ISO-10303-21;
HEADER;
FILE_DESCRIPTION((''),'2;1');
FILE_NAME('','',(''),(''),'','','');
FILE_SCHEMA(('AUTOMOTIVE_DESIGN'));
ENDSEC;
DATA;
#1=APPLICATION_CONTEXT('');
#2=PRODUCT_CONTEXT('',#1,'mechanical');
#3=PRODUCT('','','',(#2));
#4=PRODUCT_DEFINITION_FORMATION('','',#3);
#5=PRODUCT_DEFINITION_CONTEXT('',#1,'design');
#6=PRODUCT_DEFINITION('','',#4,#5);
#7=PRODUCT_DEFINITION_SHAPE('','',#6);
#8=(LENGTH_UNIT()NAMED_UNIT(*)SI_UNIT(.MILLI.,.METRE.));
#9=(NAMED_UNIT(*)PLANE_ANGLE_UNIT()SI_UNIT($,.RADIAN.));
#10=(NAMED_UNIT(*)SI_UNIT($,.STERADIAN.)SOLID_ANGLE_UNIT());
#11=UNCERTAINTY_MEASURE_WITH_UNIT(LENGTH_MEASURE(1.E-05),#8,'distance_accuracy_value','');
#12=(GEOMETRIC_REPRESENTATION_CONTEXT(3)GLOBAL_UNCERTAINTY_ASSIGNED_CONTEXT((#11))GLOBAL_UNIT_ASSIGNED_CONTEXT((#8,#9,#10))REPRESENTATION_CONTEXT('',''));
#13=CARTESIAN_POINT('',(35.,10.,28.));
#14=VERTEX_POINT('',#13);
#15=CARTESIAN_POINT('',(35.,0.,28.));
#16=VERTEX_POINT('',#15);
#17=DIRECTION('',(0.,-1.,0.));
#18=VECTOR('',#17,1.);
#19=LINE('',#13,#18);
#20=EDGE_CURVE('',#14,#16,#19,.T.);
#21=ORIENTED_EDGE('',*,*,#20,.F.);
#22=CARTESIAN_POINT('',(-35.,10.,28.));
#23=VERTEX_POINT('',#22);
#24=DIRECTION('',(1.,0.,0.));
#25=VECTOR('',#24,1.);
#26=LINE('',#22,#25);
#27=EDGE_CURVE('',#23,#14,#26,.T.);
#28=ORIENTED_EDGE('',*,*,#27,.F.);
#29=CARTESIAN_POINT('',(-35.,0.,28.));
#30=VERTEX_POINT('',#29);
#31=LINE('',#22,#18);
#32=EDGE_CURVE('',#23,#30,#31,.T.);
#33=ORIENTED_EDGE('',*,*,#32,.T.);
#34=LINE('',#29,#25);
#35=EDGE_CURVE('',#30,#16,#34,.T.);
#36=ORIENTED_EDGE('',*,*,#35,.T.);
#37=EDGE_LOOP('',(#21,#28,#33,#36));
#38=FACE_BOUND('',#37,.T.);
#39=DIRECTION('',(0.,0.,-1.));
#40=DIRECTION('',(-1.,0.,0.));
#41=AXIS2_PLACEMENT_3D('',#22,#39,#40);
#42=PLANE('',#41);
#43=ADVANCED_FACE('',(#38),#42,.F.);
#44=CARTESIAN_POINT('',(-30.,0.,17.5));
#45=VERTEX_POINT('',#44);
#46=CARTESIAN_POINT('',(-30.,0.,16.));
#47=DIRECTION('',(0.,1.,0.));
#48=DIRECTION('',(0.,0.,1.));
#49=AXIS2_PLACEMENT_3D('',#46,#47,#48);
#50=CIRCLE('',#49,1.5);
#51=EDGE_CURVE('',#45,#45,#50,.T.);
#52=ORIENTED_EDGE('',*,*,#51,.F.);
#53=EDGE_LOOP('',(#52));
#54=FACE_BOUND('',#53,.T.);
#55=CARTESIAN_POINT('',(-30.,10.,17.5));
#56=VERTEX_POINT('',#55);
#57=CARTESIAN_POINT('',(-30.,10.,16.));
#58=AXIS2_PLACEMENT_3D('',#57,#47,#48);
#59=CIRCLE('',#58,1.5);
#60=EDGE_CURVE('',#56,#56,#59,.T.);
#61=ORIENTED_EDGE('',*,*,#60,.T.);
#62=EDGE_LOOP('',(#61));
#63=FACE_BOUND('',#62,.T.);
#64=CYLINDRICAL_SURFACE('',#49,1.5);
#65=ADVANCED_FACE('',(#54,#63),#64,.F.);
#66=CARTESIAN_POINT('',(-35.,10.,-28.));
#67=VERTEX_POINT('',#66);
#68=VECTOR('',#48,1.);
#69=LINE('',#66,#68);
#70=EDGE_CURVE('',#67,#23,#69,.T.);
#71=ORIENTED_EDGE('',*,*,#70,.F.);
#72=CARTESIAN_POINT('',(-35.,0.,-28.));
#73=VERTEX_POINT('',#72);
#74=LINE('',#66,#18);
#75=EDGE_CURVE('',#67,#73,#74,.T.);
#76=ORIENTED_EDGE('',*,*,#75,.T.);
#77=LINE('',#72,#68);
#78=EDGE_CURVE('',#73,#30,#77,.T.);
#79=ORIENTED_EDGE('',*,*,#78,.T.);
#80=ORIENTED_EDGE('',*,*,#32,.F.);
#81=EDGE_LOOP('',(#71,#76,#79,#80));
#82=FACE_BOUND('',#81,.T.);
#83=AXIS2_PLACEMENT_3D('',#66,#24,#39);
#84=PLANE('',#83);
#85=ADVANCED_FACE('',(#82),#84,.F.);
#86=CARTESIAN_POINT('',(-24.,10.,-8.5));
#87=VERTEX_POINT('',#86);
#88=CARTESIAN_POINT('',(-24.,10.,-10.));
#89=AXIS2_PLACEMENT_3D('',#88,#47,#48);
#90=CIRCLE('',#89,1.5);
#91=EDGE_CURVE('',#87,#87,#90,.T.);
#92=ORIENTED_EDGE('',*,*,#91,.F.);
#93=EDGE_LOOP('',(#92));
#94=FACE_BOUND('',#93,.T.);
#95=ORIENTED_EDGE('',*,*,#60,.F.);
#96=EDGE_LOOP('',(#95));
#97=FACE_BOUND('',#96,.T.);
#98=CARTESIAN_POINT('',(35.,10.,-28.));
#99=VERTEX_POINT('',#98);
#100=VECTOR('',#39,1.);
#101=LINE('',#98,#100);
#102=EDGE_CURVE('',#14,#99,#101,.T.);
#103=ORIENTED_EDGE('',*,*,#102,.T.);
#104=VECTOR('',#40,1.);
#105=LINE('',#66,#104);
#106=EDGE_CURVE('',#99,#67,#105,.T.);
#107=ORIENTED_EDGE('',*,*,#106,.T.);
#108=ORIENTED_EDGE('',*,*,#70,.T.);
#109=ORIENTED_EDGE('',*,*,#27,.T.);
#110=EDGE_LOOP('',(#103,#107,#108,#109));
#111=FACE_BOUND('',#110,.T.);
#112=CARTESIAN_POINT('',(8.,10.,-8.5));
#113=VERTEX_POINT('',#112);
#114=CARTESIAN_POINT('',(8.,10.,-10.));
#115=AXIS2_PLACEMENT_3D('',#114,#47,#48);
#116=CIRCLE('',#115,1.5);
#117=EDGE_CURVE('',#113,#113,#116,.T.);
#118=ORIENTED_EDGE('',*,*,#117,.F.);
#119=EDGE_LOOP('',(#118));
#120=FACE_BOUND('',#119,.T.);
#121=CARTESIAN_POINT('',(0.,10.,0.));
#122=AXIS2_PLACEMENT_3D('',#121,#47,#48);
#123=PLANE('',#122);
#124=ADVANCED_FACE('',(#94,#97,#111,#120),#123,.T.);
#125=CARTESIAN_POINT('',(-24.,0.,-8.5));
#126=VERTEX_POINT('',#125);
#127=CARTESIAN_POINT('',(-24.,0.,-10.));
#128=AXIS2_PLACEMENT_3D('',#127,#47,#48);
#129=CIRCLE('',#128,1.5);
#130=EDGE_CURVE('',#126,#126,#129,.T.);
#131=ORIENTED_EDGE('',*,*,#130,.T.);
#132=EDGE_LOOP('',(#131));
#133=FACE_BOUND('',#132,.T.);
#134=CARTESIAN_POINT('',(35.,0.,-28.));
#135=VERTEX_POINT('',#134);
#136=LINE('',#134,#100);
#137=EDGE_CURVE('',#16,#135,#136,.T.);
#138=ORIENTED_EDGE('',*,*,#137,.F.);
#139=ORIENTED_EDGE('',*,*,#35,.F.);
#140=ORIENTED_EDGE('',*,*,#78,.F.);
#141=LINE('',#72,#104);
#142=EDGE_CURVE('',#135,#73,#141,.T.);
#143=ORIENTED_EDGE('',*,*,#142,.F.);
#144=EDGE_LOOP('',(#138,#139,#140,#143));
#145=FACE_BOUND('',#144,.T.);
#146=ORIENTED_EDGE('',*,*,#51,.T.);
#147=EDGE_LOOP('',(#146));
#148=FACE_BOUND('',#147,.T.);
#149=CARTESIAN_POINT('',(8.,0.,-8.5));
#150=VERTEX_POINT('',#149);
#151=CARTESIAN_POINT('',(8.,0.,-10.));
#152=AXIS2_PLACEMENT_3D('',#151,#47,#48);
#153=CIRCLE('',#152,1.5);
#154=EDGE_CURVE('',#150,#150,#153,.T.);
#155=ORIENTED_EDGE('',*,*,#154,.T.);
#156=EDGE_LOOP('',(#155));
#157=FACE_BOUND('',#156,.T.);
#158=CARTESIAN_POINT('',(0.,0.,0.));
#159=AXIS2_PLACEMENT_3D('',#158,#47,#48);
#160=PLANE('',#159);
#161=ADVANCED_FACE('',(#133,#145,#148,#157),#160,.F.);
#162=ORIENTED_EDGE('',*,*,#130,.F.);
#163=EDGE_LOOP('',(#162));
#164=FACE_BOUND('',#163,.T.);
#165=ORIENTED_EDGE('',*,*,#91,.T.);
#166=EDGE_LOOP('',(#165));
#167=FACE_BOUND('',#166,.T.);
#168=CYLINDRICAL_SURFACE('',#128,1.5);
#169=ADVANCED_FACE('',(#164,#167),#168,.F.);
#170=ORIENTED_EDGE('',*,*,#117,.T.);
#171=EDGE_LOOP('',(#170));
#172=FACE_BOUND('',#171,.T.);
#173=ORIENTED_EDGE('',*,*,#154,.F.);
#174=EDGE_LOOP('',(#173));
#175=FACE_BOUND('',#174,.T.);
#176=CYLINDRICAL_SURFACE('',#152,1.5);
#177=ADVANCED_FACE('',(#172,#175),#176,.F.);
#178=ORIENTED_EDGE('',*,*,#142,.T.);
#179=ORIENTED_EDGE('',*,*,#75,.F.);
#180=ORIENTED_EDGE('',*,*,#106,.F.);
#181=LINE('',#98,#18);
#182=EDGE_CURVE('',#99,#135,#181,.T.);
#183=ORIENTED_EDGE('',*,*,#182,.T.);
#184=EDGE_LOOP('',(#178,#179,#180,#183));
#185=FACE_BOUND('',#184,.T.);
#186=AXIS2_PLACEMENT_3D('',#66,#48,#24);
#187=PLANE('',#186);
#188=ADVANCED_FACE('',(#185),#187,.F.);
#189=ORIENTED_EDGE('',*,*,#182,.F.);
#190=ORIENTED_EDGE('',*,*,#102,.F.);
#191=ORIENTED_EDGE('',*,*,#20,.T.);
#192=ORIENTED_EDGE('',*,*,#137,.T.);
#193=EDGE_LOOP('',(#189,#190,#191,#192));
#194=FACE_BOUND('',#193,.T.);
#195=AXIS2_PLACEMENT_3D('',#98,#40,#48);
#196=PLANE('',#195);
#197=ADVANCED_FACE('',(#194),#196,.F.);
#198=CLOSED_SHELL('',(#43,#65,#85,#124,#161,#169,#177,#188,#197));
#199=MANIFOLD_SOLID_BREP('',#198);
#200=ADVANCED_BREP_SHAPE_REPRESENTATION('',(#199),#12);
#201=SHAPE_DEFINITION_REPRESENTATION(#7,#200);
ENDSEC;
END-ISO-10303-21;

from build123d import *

# Parameters (mm, degrees)
SKETCH1_W           = 70
SKETCH1_H           = 56
BOSS_EXTRUDE1_DEPTH = 10
SKETCH2_R           = 1.5
CUT_EXTRUDE1_DEPTH  = 10


with BuildPart() as part:
    # Sketch1 → Boss-Extrude1 (new body)
    with BuildSketch(Plane(origin=(0, 0, 0), x_dir=(1, 0, 0), z_dir=(0, 1, 0))):
        Rectangle(SKETCH1_W, SKETCH1_H)
    extrude(amount=BOSS_EXTRUDE1_DEPTH)

    # Sketch2 → Cut-Extrude1 (cut)
    with BuildSketch(Plane(origin=(0, 10, 0), x_dir=(1, 0, 0), z_dir=(0, 1, 0))):
        with Locations(Location((-30, -16, 0), (0, 0, 270))):
            Circle(SKETCH2_R)
        with Locations(Location((-24, 10, 0), (0, 0, 270))):
            Circle(SKETCH2_R)
        with Locations(Location((8, 10, 0), (0, 0, 270))):
            Circle(SKETCH2_R)
    extrude(amount=-CUT_EXTRUDE1_DEPTH, mode=Mode.SUBTRACT)


solid = part.part
